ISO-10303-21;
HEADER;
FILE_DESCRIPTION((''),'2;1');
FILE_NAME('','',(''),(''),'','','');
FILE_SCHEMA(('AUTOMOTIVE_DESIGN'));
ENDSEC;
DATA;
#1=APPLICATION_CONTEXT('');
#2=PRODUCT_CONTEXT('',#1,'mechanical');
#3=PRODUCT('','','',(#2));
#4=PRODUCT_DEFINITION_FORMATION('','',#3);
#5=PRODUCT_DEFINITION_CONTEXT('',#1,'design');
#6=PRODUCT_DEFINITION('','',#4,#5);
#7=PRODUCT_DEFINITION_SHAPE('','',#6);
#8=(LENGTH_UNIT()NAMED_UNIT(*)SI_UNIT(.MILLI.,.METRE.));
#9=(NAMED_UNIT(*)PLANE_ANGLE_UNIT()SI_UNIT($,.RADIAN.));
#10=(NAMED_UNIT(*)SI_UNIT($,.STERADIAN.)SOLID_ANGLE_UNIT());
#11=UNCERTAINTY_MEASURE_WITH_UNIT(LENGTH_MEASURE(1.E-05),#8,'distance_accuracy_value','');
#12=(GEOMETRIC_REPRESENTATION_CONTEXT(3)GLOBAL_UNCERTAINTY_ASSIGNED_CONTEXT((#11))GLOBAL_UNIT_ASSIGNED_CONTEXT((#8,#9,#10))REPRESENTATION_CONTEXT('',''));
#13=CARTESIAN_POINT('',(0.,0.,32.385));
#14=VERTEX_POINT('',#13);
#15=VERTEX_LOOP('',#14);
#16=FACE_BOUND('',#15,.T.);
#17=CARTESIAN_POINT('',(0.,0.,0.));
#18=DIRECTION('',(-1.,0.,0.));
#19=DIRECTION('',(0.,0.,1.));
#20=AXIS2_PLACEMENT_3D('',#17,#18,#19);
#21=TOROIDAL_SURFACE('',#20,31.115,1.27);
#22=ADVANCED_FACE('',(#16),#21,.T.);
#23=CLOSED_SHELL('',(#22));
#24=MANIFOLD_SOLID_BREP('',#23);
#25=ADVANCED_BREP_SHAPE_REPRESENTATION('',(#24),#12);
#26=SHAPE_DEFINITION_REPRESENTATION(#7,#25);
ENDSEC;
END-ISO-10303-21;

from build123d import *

# Parameters (mm, degrees)
SKETCH1_R = 1.27


with BuildPart() as part:
    # Sketch1 → Revolve2 (revolve)
    with BuildSketch(Plane.XY):
        with Locations((0, 31.115)):
            Circle(SKETCH1_R)
    revolve(axis=Axis((-22.180929287, 0, 0), (1, 0, 0)))


solid = part.part
